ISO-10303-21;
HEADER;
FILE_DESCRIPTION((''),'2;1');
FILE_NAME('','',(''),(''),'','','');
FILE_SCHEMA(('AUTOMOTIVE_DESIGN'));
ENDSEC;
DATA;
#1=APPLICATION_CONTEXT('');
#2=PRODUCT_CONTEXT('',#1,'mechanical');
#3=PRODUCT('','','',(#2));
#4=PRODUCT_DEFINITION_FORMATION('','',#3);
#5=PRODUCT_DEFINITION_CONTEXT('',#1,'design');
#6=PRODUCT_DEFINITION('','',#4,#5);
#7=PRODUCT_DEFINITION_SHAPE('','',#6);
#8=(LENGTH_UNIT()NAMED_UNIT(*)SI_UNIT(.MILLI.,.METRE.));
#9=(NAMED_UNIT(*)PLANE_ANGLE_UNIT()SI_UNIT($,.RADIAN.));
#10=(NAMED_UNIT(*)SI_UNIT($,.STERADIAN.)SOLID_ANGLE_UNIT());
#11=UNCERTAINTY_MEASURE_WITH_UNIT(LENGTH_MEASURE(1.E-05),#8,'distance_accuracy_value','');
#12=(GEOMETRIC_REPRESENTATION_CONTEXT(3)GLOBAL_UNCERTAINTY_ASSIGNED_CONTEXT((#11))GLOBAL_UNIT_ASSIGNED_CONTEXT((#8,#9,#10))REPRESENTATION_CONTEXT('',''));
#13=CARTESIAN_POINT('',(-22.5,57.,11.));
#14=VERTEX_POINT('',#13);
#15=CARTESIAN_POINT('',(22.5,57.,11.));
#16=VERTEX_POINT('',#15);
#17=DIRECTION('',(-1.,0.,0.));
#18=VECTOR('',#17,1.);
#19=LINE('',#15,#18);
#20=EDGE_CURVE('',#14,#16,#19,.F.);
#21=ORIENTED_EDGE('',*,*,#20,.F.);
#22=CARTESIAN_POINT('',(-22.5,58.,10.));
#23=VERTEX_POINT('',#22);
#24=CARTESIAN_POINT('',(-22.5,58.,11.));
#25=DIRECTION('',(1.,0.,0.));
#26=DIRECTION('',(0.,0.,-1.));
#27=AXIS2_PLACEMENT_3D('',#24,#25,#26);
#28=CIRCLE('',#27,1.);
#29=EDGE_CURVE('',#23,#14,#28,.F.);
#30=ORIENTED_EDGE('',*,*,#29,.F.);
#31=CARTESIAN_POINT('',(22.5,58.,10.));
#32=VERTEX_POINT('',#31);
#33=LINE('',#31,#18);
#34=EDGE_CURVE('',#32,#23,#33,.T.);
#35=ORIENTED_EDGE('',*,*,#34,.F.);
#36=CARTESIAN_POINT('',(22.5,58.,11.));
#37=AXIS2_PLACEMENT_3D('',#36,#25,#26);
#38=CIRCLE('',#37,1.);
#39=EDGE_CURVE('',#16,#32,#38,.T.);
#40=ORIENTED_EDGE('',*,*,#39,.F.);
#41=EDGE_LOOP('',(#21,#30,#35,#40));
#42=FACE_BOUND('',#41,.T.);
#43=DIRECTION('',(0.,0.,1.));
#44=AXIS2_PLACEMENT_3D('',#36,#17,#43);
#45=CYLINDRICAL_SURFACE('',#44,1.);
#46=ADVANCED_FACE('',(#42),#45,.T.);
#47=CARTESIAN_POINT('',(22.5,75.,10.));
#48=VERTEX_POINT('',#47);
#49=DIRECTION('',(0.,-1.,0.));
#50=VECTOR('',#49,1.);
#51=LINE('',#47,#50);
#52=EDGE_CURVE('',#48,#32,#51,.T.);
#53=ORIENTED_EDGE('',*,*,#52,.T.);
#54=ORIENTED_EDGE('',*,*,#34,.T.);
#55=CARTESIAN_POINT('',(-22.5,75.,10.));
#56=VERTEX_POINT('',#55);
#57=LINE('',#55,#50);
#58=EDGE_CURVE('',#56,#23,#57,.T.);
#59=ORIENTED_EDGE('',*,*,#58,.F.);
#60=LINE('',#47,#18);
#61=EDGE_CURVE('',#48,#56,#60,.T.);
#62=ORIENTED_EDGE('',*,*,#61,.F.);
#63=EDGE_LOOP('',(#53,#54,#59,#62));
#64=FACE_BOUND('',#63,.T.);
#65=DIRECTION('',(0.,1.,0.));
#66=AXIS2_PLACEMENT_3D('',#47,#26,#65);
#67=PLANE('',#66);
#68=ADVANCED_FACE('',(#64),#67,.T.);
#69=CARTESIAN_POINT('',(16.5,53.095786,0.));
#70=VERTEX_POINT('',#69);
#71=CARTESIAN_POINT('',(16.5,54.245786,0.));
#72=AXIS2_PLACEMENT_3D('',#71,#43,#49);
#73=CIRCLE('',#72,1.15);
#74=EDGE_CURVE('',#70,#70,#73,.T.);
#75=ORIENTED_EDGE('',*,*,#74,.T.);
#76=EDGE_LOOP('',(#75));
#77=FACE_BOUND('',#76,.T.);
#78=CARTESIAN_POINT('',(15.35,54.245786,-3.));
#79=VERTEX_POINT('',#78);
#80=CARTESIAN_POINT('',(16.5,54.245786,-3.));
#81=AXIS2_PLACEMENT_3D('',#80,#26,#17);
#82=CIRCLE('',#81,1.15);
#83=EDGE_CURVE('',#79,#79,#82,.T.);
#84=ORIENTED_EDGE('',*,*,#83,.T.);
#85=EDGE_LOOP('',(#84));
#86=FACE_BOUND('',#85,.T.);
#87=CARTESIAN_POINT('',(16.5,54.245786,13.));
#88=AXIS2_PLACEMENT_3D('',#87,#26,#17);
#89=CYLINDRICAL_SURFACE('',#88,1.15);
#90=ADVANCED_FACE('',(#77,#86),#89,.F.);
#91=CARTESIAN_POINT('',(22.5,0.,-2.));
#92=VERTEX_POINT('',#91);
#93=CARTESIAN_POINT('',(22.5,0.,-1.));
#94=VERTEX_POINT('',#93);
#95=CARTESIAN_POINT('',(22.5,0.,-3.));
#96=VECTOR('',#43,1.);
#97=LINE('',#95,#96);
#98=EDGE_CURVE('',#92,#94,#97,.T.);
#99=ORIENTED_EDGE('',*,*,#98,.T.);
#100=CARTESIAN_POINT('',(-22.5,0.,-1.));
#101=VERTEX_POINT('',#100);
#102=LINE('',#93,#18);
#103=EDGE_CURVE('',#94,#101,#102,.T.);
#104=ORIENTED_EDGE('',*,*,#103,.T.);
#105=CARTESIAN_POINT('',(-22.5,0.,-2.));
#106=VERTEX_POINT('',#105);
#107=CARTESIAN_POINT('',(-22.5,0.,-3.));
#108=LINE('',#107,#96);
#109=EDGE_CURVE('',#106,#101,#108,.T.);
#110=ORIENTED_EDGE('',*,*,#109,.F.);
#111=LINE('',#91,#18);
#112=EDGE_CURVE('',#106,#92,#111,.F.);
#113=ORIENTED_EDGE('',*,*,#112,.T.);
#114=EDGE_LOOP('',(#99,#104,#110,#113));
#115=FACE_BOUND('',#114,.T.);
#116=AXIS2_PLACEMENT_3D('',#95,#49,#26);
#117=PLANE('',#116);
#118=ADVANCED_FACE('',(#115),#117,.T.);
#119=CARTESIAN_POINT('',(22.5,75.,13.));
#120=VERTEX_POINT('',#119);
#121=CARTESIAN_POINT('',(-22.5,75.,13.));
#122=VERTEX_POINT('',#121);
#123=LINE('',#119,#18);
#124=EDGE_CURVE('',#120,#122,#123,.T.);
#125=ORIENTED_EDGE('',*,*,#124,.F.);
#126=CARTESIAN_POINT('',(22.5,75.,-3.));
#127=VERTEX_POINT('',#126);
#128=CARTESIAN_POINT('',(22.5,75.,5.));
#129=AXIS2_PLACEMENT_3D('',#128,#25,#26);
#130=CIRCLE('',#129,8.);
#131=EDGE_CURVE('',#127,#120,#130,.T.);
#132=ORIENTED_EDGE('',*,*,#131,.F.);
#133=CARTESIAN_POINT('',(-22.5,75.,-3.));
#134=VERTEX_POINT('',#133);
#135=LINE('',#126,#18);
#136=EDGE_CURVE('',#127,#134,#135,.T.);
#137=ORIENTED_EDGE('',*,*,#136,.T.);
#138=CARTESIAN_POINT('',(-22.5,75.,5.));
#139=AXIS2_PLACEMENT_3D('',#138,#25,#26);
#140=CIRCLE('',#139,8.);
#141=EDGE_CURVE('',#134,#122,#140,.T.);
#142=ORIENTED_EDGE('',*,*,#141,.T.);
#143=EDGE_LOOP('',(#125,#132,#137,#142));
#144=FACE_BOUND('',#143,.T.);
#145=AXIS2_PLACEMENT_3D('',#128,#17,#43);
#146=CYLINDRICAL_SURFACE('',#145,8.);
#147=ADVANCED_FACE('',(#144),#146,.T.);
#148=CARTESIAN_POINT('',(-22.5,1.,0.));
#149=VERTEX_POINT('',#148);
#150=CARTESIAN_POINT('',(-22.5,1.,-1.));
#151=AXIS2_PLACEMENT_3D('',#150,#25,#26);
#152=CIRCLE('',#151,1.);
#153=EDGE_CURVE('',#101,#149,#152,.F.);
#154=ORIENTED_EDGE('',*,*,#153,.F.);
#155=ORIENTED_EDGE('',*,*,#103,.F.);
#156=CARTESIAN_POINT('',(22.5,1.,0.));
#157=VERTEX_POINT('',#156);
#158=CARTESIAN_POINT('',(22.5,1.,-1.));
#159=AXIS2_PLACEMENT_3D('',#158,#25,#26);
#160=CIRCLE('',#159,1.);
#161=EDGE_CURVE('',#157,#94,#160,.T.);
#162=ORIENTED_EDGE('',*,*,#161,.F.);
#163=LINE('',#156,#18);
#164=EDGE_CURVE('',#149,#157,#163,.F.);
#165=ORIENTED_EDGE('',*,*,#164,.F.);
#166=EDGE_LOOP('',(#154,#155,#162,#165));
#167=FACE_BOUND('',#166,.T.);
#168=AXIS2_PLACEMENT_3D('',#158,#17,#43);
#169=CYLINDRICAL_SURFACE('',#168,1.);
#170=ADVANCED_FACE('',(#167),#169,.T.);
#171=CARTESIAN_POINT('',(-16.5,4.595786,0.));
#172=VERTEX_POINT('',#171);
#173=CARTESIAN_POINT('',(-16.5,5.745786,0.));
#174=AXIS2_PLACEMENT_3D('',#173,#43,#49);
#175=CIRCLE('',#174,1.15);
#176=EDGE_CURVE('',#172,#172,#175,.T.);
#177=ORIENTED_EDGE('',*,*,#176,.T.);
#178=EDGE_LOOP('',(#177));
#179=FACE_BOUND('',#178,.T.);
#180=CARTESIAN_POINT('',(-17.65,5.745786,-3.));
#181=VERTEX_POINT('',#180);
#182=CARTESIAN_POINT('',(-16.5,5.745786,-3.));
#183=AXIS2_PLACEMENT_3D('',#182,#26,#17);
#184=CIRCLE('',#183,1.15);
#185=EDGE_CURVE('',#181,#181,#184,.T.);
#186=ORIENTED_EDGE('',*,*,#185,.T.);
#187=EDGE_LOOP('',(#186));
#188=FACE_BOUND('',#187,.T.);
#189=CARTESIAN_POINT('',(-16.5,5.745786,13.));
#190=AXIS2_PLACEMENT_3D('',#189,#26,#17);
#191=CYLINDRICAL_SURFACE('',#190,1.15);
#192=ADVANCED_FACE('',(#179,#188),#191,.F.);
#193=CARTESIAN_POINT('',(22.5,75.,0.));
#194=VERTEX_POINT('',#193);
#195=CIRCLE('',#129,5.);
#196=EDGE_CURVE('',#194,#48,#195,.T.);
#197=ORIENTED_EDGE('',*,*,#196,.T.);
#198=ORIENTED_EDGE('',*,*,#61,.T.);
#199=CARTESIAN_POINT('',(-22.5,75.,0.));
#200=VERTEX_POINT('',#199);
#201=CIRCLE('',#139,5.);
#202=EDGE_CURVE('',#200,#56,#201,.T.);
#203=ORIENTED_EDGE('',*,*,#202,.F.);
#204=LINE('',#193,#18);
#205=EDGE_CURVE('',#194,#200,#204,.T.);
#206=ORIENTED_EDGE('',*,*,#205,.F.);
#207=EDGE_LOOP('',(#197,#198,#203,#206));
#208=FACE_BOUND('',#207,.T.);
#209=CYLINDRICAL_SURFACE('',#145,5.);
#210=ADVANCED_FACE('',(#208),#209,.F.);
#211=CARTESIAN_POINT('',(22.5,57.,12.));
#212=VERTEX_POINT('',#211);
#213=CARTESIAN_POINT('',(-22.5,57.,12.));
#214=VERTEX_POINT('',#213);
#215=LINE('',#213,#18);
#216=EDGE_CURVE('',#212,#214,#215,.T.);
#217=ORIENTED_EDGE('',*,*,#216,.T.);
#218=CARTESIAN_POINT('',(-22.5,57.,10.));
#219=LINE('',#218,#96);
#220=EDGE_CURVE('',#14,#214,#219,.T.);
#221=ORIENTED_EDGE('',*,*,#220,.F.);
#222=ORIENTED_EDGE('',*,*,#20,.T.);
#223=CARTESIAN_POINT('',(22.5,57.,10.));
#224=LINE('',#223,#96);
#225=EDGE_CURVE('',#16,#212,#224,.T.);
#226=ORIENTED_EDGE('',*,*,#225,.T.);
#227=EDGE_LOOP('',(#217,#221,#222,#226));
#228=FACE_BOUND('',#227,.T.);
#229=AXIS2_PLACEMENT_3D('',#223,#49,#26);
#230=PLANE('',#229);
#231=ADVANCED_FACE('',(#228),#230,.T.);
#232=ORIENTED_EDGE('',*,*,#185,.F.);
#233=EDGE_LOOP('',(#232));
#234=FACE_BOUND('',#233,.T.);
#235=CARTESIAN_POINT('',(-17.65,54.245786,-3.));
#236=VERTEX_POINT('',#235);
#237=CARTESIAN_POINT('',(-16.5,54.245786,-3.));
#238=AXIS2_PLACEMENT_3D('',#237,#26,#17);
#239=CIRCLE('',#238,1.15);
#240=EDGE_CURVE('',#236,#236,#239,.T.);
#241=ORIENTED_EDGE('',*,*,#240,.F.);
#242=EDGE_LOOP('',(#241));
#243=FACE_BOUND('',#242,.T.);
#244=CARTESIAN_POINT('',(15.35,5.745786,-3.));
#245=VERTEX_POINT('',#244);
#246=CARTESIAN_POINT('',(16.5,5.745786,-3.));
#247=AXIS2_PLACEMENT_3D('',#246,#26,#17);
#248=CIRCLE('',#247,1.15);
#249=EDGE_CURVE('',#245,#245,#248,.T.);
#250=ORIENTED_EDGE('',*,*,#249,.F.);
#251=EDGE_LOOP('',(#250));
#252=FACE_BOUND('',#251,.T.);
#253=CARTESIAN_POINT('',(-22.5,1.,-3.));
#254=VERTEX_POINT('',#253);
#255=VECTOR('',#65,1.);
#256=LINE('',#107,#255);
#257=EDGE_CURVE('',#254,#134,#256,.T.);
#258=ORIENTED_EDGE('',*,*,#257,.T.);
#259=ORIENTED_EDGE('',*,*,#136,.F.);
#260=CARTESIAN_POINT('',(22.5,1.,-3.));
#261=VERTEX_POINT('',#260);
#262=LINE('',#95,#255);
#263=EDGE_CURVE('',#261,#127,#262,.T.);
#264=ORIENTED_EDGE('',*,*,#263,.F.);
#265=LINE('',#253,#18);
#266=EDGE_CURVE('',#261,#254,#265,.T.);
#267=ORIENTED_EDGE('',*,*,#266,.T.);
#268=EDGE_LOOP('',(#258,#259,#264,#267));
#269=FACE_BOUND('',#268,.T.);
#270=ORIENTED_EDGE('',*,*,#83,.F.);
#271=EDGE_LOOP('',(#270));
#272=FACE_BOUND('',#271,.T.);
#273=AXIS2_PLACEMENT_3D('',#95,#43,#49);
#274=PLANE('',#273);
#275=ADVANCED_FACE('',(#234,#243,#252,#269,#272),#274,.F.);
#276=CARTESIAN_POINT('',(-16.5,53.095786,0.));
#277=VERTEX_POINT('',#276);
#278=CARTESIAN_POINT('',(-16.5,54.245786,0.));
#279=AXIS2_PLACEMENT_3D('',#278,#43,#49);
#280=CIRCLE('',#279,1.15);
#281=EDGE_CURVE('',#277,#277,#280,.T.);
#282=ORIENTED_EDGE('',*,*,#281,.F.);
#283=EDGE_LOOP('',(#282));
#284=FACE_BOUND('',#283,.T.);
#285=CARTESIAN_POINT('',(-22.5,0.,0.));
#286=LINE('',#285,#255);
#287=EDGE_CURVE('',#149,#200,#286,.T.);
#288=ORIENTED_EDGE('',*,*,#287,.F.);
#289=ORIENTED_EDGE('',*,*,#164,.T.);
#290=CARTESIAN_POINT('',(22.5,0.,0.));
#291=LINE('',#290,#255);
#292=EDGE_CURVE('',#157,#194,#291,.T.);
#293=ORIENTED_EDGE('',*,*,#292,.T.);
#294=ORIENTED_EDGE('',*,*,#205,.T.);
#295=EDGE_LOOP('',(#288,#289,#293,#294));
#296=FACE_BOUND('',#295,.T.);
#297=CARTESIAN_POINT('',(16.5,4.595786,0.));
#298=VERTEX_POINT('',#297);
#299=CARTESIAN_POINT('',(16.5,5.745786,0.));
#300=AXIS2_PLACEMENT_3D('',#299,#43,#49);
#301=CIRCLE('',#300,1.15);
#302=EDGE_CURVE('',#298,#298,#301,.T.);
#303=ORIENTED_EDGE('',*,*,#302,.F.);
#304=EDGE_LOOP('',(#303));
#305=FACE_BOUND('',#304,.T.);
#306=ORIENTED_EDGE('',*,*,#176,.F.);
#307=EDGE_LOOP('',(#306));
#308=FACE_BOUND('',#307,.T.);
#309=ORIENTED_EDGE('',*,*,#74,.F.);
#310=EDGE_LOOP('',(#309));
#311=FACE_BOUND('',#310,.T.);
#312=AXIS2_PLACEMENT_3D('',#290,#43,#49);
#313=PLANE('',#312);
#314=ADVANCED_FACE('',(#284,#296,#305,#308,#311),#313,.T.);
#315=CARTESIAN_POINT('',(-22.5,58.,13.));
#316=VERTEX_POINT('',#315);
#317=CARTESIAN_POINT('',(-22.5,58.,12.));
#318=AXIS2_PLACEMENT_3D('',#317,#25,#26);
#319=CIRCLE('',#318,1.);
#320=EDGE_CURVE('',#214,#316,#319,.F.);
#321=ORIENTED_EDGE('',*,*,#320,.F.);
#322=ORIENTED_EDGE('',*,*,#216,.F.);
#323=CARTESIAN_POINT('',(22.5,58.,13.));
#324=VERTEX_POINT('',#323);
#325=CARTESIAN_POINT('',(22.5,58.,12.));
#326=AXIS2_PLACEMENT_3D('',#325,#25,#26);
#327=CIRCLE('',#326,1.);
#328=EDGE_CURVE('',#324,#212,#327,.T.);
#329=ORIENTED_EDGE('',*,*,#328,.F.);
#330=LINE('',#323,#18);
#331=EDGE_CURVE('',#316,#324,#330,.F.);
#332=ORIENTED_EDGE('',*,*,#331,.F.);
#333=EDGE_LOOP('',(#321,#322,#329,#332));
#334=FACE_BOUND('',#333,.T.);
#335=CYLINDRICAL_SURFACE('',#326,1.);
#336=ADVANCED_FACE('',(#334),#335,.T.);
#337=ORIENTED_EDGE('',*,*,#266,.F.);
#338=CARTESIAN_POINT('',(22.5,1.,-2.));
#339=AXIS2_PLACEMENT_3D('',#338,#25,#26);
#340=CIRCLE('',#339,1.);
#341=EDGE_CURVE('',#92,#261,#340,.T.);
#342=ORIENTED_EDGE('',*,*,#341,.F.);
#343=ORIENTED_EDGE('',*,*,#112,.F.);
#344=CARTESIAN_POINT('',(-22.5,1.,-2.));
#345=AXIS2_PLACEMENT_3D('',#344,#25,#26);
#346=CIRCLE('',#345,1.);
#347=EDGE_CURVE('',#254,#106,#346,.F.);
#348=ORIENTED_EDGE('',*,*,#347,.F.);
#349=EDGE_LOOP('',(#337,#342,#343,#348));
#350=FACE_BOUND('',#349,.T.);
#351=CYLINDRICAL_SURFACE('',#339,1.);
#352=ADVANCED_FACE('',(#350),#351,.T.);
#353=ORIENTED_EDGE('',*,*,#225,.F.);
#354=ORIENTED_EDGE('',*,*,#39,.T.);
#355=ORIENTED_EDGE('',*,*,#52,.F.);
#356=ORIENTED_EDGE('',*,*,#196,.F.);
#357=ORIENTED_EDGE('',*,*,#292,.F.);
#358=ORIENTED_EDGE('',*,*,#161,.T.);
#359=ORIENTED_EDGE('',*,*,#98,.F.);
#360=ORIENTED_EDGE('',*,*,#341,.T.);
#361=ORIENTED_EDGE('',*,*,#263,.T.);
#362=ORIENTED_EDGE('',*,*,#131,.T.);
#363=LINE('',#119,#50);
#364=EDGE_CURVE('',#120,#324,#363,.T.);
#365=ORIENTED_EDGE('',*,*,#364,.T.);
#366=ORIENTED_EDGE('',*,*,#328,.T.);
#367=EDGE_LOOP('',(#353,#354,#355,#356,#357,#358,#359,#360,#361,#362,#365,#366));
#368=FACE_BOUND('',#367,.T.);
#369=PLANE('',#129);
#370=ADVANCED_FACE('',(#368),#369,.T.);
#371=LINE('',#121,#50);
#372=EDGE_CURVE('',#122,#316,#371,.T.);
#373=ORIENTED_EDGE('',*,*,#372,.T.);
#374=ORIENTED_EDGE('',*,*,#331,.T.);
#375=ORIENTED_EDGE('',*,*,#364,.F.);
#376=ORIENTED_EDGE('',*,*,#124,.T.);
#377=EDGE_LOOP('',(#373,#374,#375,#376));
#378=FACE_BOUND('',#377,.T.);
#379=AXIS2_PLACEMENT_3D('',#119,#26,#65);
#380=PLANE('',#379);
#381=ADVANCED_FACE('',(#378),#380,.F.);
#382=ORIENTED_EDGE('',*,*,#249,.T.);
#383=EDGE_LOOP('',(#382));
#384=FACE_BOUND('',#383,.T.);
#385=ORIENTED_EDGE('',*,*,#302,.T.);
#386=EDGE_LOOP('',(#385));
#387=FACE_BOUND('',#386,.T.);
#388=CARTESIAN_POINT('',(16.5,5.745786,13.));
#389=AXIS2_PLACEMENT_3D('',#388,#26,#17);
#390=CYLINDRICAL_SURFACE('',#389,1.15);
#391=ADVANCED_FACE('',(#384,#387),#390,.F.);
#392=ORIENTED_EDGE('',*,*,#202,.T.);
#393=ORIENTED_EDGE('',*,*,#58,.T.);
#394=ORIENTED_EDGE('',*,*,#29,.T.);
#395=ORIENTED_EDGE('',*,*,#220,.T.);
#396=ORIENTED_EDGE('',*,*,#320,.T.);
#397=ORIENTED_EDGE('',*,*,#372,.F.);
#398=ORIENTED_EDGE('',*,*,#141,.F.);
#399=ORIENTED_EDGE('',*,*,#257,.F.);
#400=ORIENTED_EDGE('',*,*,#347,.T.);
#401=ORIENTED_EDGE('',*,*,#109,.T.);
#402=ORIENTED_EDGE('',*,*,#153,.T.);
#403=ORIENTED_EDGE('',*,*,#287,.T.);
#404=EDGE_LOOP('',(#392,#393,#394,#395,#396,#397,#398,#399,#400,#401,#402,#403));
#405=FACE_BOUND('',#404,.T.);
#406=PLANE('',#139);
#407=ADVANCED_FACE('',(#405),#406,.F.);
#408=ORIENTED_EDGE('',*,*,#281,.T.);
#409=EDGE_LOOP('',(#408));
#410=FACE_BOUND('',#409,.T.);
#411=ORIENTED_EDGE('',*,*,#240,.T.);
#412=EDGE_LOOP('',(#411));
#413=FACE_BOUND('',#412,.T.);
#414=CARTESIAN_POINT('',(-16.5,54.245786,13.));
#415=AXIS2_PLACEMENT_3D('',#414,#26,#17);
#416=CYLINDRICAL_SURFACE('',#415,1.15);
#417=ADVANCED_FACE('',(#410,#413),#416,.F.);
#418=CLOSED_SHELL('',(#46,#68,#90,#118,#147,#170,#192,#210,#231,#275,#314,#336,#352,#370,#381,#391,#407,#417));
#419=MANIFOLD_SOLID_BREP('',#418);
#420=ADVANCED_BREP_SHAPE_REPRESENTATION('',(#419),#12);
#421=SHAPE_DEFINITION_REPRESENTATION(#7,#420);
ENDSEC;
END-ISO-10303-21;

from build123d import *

# Parameters (mm, degrees)
EXTRUDE_THIN1_DEPTH = 22.5
SKETCH2_R           = 1.15
CUT_EXTRUDE1_DEPTH  = 88.471423905
FILLET1_R           = 1


with BuildPart() as part:
    # Sketch1 → Extrude-Thin1 (new, symmetric)
    with BuildSketch(Plane(origin=(0, 0, 0), x_dir=(0, 0, -1), z_dir=(1, 0, 0))):
        with BuildLine():
            Line((0, 0), (0, 75))
            ThreePointArc((0, 75), (-5, 80), (-10, 75))
            Line((-10, 75), (-10, 57))
            Line((-10, 57), (-13, 57))
            Line((-13, 57), (-13, 75))
            ThreePointArc((-13, 75), (-5, 83), (3, 75))
            Line((3, 75), (3, 0))
            Line((3, 0), (0, 0))
        make_face()
    extrude(amount=EXTRUDE_THIN1_DEPTH, both=True)

    # Sketch2 → Cut-Extrude1 (cut, through all)
    with BuildSketch(Plane(origin=(0, 0, -3), x_dir=(-1, 0, 0), z_dir=(0, 0, -1))):
        with Locations((-16.5, 54.245785589)):
            Circle(SKETCH2_R)
        with Locations((16.5, 54.245785589)):
            Circle(SKETCH2_R)
        with Locations((16.5, 5.745785589)):
            Circle(SKETCH2_R)
        with Locations((-16.5, 5.745785589)):
            Circle(SKETCH2_R)
    extrude(amount=-CUT_EXTRUDE1_DEPTH, mode=Mode.SUBTRACT)

    # Fillet1
    fillet1_edges = [part.edges().sort_by_distance(p)[0] for p in [
        (0, 0, -3),
        (0, 0, 0),
        (0, 57, 10),
        (0, 57, 13),
    ]]
    fillet(fillet1_edges, radius=FILLET1_R)


solid = part.part
